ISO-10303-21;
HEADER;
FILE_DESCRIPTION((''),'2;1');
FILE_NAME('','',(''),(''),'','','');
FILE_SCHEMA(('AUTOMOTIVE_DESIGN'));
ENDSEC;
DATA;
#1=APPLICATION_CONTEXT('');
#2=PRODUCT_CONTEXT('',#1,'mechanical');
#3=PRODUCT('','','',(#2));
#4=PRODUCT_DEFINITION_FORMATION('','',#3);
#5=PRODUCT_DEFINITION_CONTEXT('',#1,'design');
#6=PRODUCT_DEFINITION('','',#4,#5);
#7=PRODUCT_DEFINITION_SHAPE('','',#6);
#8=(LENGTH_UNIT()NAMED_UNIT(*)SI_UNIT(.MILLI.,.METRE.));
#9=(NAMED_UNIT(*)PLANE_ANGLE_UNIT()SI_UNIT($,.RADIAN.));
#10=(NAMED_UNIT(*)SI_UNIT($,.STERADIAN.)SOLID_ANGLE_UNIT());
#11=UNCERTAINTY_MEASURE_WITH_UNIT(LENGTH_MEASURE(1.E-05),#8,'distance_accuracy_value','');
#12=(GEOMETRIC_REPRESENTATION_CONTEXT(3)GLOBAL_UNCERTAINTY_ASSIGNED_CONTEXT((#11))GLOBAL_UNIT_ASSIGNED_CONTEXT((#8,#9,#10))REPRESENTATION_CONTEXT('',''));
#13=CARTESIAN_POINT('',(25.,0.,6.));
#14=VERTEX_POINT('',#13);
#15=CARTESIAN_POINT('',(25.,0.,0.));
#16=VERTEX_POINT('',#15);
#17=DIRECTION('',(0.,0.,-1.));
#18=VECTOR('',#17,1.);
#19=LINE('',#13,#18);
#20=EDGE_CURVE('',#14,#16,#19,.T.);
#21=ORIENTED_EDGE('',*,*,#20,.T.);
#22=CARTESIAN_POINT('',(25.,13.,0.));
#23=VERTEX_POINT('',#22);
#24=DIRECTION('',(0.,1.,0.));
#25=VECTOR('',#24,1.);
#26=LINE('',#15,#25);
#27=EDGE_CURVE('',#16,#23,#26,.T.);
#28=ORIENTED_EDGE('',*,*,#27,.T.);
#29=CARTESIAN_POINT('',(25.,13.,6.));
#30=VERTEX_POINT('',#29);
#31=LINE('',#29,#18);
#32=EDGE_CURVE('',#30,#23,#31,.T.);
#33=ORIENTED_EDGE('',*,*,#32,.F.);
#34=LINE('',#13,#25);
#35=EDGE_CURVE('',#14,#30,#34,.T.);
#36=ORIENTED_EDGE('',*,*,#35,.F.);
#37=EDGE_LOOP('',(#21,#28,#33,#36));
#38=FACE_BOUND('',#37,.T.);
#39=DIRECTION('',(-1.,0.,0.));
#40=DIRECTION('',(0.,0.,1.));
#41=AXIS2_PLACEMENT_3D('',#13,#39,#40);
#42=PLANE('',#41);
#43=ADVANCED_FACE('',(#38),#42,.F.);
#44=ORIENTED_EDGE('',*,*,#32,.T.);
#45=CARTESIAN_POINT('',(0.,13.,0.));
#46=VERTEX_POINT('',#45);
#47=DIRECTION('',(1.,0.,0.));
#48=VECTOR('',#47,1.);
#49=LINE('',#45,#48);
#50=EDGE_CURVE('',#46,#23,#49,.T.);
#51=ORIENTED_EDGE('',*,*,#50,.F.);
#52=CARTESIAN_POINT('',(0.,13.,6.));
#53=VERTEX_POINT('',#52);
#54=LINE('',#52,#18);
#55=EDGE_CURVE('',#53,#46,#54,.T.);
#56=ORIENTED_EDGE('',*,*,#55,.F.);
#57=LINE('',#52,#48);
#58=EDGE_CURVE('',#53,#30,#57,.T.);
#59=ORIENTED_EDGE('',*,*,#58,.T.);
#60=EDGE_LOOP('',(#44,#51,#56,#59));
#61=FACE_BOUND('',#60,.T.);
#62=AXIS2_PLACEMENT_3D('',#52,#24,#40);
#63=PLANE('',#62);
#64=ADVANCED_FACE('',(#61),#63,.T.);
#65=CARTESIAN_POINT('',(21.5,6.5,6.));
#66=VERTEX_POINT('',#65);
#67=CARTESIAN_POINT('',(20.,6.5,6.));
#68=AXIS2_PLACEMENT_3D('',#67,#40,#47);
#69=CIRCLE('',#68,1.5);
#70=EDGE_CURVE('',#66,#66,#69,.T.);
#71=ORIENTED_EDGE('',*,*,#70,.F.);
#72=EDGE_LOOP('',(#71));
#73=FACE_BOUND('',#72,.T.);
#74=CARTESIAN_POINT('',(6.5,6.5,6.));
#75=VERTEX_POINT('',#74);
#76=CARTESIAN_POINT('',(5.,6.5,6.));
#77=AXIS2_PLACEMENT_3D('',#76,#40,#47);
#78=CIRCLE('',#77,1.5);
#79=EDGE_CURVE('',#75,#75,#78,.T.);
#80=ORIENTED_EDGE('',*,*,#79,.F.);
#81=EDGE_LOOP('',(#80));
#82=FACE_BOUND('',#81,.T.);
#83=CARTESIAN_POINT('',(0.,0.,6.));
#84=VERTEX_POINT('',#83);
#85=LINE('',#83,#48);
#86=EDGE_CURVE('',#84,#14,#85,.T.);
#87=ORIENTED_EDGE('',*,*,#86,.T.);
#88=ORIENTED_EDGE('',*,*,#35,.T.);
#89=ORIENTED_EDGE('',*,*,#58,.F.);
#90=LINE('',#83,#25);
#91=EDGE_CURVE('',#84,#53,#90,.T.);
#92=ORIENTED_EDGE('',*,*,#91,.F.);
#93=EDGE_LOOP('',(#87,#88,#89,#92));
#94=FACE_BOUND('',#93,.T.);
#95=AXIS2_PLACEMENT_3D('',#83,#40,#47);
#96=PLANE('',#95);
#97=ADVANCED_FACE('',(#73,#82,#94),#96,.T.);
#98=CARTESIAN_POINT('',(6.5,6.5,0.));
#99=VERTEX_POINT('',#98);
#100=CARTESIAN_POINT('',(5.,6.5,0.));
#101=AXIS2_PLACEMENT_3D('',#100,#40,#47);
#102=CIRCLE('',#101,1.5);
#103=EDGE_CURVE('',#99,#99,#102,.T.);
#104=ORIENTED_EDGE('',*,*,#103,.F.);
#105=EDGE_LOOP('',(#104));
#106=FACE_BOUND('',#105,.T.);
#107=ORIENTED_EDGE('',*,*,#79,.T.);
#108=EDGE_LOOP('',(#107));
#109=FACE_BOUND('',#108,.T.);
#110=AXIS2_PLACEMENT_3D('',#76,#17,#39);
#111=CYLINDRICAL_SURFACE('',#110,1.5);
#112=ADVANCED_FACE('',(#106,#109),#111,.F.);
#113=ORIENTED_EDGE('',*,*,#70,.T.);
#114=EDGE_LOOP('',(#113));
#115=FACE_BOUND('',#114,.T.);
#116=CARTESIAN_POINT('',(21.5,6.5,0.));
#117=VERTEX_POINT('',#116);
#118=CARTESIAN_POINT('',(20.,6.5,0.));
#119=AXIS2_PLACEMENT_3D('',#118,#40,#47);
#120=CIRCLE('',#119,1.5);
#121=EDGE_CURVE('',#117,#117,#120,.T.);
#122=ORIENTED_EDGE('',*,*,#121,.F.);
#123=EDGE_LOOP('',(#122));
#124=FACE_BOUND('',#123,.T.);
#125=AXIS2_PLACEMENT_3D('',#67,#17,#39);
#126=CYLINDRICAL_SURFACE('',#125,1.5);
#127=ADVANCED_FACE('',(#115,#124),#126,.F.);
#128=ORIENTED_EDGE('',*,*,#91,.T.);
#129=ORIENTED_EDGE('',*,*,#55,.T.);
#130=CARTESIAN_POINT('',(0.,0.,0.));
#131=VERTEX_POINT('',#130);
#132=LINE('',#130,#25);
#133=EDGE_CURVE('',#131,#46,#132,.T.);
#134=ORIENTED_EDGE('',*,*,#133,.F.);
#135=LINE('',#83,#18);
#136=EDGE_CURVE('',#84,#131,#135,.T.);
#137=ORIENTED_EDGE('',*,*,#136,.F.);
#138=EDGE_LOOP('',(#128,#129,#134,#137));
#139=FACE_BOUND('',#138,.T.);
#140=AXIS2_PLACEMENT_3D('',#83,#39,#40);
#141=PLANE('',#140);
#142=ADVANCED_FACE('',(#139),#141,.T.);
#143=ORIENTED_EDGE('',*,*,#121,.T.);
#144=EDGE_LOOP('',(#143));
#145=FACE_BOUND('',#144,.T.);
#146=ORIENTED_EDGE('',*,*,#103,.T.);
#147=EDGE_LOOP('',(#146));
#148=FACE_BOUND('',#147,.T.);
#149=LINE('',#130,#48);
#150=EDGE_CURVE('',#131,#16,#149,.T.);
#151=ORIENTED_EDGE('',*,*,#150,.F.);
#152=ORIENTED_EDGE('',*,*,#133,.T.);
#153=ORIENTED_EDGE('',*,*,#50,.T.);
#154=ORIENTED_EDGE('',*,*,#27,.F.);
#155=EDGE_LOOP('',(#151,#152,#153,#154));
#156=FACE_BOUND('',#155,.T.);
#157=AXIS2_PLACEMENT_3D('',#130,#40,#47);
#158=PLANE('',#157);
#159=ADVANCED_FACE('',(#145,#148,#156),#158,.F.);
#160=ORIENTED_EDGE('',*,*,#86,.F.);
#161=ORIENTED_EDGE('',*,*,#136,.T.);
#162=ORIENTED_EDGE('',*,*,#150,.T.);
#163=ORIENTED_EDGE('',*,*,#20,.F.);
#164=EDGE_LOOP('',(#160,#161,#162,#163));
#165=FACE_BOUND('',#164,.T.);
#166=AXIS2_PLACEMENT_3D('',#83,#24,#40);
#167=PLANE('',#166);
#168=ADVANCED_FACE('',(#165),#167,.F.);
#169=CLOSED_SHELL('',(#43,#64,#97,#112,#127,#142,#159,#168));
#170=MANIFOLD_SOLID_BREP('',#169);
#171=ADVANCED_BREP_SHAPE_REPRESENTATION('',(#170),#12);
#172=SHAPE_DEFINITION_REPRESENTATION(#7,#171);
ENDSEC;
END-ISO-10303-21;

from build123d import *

# Parameters (mm, degrees)
ESBO_O1_W                = 25
ESBO_O1_H                = 13
ESBO_O1_R                = 1.5
RESSALTO_EXTRUS_O1_DEPTH = 6


with BuildPart() as part:
    # Esboço1 → Ressalto-extrusão1 (new body)
    with BuildSketch(Plane.XY):
        with Locations((12.5, 6.5)):
            Rectangle(ESBO_O1_W, ESBO_O1_H)
        with Locations((5, 6.5)):
            Circle(ESBO_O1_R, mode=Mode.SUBTRACT)
        with Locations((20, 6.5)):
            Circle(ESBO_O1_R, mode=Mode.SUBTRACT)
    extrude(amount=RESSALTO_EXTRUS_O1_DEPTH)


solid = part.part
